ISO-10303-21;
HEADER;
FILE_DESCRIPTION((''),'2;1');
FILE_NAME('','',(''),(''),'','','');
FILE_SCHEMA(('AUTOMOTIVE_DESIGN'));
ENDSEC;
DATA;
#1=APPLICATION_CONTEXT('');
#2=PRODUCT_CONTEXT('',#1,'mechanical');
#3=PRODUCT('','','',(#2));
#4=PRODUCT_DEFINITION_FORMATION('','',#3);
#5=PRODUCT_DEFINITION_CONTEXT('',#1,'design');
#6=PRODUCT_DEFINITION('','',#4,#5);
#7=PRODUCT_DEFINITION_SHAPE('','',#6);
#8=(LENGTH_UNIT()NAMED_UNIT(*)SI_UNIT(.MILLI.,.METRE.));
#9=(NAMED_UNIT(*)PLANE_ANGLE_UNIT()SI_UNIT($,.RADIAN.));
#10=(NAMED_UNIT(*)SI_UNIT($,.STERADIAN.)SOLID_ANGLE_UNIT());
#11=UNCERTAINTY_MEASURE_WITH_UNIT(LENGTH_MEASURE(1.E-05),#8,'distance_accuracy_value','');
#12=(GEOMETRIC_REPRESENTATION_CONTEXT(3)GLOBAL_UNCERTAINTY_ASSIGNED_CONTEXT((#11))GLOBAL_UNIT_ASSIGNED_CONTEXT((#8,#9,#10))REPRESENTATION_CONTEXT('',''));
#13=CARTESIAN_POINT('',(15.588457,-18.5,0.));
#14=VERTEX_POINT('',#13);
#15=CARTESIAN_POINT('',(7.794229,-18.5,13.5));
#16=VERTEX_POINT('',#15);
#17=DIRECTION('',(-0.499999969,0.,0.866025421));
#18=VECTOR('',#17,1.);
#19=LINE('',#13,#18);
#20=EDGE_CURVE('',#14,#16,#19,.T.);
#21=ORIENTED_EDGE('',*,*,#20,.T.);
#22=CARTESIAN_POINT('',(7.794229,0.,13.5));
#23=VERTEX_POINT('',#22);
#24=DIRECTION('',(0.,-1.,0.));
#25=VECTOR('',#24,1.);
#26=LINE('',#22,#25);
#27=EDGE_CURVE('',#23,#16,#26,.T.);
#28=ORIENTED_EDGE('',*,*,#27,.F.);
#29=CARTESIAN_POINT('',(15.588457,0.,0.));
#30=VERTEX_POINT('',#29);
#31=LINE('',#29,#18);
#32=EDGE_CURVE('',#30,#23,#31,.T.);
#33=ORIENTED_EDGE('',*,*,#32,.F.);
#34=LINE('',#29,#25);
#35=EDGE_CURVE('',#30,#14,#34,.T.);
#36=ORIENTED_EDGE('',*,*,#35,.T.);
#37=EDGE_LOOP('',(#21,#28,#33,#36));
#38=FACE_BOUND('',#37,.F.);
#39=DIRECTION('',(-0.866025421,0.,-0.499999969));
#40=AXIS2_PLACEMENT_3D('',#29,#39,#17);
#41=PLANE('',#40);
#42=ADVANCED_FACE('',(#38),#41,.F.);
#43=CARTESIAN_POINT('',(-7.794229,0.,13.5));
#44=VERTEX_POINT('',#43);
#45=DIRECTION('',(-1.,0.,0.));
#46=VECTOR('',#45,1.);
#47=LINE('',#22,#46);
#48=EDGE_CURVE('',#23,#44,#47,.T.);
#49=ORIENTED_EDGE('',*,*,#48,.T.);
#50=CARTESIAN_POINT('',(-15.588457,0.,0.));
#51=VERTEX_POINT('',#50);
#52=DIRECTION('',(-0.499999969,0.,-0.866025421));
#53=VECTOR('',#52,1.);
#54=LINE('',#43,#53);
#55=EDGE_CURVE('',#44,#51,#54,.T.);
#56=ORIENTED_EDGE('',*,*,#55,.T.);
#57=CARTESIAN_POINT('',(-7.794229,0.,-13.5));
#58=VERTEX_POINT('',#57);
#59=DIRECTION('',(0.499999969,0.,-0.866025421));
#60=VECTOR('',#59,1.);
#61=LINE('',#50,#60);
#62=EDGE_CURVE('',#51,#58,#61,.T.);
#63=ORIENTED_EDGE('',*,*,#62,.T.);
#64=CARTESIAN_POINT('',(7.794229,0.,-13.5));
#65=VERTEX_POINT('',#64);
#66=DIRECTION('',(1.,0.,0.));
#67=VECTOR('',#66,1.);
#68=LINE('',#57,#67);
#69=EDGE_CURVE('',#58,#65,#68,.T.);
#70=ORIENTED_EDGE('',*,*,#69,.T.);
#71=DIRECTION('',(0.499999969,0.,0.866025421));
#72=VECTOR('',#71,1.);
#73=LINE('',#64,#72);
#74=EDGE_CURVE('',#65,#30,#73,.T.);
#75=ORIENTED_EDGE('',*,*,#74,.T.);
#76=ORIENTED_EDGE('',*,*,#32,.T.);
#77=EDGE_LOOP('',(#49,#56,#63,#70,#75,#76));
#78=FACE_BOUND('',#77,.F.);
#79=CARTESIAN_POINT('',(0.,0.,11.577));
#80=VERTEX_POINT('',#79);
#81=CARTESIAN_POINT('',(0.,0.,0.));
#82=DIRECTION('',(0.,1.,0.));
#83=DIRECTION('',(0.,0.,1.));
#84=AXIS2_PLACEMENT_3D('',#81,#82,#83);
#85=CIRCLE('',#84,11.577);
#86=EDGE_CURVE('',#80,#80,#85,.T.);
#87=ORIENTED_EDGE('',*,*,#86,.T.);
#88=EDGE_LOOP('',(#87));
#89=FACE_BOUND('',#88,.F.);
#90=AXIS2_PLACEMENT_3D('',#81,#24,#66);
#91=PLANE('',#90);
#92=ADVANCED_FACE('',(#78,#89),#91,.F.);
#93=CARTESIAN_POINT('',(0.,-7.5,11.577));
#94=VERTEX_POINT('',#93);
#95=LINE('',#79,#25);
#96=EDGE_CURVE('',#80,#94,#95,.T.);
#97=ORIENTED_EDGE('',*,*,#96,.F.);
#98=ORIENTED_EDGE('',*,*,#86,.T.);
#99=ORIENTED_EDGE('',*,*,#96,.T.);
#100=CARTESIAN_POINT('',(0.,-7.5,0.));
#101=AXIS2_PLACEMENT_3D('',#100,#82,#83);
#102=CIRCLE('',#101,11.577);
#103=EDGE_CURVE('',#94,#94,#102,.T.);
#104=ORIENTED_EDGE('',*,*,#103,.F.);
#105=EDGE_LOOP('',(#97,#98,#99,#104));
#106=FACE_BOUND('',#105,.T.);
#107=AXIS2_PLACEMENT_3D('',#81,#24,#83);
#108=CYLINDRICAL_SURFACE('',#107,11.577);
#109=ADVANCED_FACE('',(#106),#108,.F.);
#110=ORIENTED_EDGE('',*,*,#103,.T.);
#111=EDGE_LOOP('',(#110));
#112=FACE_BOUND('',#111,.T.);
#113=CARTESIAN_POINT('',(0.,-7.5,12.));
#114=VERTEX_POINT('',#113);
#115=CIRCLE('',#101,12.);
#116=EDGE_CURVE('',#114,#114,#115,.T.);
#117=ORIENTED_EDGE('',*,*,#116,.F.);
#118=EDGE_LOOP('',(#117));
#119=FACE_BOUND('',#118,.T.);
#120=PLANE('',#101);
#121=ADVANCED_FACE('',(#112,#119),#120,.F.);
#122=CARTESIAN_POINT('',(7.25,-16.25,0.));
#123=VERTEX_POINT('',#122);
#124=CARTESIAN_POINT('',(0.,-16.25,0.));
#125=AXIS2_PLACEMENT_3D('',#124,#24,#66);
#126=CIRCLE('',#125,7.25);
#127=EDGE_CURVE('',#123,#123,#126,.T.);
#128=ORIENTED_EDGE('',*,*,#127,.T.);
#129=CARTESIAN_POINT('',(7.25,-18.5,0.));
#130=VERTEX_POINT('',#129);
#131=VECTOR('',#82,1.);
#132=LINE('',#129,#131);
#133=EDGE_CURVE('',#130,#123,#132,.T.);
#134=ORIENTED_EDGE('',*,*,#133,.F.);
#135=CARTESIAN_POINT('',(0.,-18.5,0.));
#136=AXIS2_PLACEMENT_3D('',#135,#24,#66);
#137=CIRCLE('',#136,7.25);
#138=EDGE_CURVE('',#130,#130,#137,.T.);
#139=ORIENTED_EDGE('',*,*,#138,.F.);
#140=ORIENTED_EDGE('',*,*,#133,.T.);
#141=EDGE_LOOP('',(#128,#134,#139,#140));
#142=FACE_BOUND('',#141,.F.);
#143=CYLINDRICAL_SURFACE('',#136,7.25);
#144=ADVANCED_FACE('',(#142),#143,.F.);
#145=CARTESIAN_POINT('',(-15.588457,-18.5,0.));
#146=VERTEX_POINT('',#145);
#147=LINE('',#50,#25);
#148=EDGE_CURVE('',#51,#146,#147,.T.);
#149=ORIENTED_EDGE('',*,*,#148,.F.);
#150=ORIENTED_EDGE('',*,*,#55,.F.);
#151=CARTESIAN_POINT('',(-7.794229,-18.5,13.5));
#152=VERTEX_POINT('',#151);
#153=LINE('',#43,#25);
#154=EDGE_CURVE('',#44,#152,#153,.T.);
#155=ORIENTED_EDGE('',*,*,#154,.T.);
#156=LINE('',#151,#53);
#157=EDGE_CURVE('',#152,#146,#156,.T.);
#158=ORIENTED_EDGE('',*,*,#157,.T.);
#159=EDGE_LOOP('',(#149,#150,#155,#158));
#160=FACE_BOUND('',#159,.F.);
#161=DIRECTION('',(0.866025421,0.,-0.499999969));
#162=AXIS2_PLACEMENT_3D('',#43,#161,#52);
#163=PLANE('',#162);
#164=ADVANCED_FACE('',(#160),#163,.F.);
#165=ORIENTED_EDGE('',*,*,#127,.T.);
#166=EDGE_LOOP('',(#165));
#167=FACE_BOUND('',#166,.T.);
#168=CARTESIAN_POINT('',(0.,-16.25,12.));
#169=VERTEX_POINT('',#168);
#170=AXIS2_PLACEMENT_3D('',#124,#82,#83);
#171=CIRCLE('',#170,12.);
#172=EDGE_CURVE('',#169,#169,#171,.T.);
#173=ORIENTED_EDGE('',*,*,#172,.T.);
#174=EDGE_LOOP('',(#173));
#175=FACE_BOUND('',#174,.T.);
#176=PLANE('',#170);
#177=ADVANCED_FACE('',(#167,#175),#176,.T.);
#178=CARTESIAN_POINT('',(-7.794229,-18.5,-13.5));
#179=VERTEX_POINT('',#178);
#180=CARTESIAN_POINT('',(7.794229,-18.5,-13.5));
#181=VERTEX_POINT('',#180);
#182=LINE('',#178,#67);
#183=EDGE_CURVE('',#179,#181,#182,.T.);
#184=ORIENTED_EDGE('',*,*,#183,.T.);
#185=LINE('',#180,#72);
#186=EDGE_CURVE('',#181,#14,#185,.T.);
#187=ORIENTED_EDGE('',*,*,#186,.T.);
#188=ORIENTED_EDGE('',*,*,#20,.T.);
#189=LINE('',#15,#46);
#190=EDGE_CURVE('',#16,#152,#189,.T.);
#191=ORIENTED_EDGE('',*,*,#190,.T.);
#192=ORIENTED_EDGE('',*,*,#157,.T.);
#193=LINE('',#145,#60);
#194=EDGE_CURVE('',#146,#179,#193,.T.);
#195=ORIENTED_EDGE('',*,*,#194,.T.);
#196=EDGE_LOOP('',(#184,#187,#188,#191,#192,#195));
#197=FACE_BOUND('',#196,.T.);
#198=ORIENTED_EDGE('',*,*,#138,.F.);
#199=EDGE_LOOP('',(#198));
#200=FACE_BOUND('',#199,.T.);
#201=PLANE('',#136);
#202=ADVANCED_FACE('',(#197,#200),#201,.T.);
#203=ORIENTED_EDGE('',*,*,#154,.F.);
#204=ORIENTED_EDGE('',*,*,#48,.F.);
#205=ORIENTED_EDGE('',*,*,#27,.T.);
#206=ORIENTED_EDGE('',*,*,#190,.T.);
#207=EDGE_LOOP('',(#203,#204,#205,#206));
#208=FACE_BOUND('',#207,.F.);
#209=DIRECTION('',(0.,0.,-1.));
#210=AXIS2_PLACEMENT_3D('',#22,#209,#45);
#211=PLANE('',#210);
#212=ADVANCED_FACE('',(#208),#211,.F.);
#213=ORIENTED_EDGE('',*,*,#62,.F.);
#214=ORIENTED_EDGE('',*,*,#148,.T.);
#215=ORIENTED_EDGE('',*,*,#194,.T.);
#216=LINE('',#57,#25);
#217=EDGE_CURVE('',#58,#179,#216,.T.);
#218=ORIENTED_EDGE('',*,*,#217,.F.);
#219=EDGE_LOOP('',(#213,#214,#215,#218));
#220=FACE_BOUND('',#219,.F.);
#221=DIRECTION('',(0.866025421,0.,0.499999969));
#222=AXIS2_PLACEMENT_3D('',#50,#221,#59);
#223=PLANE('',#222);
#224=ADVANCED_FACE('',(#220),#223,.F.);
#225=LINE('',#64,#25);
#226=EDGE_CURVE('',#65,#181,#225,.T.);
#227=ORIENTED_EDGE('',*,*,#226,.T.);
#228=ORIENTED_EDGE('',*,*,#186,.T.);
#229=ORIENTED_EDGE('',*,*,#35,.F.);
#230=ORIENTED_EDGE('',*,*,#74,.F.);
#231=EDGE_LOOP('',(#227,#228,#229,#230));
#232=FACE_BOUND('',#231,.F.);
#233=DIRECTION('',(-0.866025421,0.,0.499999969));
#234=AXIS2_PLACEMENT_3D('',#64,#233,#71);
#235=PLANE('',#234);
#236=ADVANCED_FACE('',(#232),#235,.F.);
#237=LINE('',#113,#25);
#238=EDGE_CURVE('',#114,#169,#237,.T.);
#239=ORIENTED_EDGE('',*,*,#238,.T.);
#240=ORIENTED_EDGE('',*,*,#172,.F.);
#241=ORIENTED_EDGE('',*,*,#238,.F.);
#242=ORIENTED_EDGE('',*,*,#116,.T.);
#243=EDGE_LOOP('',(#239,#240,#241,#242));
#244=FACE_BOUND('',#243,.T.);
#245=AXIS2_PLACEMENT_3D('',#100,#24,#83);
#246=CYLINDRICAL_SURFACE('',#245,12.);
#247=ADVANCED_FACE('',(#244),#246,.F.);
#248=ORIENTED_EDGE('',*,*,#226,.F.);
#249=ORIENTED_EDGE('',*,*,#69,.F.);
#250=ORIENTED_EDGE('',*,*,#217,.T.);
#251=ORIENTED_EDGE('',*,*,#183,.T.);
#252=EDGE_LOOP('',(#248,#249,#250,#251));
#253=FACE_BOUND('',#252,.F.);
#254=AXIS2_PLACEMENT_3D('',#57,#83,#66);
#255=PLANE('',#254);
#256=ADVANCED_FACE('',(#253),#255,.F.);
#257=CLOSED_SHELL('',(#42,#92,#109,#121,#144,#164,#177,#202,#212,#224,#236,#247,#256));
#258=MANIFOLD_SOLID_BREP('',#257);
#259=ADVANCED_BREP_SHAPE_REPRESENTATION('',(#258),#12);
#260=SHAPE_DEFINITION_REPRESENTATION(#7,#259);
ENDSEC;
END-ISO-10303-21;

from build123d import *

# Parameters (mm, degrees)
F1_DEPTH = 18.5
F2_R     = 7.25
F3_DEPTH = 18.501


with BuildPart() as f1:
    # F0 (on Front) → F1 (new body)
    with BuildSketch(Plane.XZ):
        Polygon((7.794229, 13.5), (-7.794229, 13.5), (-15.588457, 0), (-7.794229, -13.5), (7.794229, -13.5), (15.588457, 0), align=None)
    extrude(amount=F1_DEPTH)

    # F2 (on face) → F3 (cut, through all)
    with BuildSketch(Plane.XZ.offset(18.5)):
        Circle(F2_R)
    extrude(amount=-F3_DEPTH, mode=Mode.SUBTRACT)

    # F4 (on Right) → F5 (revolve, cut)
    with BuildSketch(Plane.YZ):
        Polygon((-16.25, 0), (0, 0), (0, 11.577), (-7.5, 11.577), (-7.5, 12), (-16.25, 12), align=None)
    revolve(axis=Axis((0, -8.125, 0), (0, 1, 0)), mode=Mode.SUBTRACT)


solid = f1.part
